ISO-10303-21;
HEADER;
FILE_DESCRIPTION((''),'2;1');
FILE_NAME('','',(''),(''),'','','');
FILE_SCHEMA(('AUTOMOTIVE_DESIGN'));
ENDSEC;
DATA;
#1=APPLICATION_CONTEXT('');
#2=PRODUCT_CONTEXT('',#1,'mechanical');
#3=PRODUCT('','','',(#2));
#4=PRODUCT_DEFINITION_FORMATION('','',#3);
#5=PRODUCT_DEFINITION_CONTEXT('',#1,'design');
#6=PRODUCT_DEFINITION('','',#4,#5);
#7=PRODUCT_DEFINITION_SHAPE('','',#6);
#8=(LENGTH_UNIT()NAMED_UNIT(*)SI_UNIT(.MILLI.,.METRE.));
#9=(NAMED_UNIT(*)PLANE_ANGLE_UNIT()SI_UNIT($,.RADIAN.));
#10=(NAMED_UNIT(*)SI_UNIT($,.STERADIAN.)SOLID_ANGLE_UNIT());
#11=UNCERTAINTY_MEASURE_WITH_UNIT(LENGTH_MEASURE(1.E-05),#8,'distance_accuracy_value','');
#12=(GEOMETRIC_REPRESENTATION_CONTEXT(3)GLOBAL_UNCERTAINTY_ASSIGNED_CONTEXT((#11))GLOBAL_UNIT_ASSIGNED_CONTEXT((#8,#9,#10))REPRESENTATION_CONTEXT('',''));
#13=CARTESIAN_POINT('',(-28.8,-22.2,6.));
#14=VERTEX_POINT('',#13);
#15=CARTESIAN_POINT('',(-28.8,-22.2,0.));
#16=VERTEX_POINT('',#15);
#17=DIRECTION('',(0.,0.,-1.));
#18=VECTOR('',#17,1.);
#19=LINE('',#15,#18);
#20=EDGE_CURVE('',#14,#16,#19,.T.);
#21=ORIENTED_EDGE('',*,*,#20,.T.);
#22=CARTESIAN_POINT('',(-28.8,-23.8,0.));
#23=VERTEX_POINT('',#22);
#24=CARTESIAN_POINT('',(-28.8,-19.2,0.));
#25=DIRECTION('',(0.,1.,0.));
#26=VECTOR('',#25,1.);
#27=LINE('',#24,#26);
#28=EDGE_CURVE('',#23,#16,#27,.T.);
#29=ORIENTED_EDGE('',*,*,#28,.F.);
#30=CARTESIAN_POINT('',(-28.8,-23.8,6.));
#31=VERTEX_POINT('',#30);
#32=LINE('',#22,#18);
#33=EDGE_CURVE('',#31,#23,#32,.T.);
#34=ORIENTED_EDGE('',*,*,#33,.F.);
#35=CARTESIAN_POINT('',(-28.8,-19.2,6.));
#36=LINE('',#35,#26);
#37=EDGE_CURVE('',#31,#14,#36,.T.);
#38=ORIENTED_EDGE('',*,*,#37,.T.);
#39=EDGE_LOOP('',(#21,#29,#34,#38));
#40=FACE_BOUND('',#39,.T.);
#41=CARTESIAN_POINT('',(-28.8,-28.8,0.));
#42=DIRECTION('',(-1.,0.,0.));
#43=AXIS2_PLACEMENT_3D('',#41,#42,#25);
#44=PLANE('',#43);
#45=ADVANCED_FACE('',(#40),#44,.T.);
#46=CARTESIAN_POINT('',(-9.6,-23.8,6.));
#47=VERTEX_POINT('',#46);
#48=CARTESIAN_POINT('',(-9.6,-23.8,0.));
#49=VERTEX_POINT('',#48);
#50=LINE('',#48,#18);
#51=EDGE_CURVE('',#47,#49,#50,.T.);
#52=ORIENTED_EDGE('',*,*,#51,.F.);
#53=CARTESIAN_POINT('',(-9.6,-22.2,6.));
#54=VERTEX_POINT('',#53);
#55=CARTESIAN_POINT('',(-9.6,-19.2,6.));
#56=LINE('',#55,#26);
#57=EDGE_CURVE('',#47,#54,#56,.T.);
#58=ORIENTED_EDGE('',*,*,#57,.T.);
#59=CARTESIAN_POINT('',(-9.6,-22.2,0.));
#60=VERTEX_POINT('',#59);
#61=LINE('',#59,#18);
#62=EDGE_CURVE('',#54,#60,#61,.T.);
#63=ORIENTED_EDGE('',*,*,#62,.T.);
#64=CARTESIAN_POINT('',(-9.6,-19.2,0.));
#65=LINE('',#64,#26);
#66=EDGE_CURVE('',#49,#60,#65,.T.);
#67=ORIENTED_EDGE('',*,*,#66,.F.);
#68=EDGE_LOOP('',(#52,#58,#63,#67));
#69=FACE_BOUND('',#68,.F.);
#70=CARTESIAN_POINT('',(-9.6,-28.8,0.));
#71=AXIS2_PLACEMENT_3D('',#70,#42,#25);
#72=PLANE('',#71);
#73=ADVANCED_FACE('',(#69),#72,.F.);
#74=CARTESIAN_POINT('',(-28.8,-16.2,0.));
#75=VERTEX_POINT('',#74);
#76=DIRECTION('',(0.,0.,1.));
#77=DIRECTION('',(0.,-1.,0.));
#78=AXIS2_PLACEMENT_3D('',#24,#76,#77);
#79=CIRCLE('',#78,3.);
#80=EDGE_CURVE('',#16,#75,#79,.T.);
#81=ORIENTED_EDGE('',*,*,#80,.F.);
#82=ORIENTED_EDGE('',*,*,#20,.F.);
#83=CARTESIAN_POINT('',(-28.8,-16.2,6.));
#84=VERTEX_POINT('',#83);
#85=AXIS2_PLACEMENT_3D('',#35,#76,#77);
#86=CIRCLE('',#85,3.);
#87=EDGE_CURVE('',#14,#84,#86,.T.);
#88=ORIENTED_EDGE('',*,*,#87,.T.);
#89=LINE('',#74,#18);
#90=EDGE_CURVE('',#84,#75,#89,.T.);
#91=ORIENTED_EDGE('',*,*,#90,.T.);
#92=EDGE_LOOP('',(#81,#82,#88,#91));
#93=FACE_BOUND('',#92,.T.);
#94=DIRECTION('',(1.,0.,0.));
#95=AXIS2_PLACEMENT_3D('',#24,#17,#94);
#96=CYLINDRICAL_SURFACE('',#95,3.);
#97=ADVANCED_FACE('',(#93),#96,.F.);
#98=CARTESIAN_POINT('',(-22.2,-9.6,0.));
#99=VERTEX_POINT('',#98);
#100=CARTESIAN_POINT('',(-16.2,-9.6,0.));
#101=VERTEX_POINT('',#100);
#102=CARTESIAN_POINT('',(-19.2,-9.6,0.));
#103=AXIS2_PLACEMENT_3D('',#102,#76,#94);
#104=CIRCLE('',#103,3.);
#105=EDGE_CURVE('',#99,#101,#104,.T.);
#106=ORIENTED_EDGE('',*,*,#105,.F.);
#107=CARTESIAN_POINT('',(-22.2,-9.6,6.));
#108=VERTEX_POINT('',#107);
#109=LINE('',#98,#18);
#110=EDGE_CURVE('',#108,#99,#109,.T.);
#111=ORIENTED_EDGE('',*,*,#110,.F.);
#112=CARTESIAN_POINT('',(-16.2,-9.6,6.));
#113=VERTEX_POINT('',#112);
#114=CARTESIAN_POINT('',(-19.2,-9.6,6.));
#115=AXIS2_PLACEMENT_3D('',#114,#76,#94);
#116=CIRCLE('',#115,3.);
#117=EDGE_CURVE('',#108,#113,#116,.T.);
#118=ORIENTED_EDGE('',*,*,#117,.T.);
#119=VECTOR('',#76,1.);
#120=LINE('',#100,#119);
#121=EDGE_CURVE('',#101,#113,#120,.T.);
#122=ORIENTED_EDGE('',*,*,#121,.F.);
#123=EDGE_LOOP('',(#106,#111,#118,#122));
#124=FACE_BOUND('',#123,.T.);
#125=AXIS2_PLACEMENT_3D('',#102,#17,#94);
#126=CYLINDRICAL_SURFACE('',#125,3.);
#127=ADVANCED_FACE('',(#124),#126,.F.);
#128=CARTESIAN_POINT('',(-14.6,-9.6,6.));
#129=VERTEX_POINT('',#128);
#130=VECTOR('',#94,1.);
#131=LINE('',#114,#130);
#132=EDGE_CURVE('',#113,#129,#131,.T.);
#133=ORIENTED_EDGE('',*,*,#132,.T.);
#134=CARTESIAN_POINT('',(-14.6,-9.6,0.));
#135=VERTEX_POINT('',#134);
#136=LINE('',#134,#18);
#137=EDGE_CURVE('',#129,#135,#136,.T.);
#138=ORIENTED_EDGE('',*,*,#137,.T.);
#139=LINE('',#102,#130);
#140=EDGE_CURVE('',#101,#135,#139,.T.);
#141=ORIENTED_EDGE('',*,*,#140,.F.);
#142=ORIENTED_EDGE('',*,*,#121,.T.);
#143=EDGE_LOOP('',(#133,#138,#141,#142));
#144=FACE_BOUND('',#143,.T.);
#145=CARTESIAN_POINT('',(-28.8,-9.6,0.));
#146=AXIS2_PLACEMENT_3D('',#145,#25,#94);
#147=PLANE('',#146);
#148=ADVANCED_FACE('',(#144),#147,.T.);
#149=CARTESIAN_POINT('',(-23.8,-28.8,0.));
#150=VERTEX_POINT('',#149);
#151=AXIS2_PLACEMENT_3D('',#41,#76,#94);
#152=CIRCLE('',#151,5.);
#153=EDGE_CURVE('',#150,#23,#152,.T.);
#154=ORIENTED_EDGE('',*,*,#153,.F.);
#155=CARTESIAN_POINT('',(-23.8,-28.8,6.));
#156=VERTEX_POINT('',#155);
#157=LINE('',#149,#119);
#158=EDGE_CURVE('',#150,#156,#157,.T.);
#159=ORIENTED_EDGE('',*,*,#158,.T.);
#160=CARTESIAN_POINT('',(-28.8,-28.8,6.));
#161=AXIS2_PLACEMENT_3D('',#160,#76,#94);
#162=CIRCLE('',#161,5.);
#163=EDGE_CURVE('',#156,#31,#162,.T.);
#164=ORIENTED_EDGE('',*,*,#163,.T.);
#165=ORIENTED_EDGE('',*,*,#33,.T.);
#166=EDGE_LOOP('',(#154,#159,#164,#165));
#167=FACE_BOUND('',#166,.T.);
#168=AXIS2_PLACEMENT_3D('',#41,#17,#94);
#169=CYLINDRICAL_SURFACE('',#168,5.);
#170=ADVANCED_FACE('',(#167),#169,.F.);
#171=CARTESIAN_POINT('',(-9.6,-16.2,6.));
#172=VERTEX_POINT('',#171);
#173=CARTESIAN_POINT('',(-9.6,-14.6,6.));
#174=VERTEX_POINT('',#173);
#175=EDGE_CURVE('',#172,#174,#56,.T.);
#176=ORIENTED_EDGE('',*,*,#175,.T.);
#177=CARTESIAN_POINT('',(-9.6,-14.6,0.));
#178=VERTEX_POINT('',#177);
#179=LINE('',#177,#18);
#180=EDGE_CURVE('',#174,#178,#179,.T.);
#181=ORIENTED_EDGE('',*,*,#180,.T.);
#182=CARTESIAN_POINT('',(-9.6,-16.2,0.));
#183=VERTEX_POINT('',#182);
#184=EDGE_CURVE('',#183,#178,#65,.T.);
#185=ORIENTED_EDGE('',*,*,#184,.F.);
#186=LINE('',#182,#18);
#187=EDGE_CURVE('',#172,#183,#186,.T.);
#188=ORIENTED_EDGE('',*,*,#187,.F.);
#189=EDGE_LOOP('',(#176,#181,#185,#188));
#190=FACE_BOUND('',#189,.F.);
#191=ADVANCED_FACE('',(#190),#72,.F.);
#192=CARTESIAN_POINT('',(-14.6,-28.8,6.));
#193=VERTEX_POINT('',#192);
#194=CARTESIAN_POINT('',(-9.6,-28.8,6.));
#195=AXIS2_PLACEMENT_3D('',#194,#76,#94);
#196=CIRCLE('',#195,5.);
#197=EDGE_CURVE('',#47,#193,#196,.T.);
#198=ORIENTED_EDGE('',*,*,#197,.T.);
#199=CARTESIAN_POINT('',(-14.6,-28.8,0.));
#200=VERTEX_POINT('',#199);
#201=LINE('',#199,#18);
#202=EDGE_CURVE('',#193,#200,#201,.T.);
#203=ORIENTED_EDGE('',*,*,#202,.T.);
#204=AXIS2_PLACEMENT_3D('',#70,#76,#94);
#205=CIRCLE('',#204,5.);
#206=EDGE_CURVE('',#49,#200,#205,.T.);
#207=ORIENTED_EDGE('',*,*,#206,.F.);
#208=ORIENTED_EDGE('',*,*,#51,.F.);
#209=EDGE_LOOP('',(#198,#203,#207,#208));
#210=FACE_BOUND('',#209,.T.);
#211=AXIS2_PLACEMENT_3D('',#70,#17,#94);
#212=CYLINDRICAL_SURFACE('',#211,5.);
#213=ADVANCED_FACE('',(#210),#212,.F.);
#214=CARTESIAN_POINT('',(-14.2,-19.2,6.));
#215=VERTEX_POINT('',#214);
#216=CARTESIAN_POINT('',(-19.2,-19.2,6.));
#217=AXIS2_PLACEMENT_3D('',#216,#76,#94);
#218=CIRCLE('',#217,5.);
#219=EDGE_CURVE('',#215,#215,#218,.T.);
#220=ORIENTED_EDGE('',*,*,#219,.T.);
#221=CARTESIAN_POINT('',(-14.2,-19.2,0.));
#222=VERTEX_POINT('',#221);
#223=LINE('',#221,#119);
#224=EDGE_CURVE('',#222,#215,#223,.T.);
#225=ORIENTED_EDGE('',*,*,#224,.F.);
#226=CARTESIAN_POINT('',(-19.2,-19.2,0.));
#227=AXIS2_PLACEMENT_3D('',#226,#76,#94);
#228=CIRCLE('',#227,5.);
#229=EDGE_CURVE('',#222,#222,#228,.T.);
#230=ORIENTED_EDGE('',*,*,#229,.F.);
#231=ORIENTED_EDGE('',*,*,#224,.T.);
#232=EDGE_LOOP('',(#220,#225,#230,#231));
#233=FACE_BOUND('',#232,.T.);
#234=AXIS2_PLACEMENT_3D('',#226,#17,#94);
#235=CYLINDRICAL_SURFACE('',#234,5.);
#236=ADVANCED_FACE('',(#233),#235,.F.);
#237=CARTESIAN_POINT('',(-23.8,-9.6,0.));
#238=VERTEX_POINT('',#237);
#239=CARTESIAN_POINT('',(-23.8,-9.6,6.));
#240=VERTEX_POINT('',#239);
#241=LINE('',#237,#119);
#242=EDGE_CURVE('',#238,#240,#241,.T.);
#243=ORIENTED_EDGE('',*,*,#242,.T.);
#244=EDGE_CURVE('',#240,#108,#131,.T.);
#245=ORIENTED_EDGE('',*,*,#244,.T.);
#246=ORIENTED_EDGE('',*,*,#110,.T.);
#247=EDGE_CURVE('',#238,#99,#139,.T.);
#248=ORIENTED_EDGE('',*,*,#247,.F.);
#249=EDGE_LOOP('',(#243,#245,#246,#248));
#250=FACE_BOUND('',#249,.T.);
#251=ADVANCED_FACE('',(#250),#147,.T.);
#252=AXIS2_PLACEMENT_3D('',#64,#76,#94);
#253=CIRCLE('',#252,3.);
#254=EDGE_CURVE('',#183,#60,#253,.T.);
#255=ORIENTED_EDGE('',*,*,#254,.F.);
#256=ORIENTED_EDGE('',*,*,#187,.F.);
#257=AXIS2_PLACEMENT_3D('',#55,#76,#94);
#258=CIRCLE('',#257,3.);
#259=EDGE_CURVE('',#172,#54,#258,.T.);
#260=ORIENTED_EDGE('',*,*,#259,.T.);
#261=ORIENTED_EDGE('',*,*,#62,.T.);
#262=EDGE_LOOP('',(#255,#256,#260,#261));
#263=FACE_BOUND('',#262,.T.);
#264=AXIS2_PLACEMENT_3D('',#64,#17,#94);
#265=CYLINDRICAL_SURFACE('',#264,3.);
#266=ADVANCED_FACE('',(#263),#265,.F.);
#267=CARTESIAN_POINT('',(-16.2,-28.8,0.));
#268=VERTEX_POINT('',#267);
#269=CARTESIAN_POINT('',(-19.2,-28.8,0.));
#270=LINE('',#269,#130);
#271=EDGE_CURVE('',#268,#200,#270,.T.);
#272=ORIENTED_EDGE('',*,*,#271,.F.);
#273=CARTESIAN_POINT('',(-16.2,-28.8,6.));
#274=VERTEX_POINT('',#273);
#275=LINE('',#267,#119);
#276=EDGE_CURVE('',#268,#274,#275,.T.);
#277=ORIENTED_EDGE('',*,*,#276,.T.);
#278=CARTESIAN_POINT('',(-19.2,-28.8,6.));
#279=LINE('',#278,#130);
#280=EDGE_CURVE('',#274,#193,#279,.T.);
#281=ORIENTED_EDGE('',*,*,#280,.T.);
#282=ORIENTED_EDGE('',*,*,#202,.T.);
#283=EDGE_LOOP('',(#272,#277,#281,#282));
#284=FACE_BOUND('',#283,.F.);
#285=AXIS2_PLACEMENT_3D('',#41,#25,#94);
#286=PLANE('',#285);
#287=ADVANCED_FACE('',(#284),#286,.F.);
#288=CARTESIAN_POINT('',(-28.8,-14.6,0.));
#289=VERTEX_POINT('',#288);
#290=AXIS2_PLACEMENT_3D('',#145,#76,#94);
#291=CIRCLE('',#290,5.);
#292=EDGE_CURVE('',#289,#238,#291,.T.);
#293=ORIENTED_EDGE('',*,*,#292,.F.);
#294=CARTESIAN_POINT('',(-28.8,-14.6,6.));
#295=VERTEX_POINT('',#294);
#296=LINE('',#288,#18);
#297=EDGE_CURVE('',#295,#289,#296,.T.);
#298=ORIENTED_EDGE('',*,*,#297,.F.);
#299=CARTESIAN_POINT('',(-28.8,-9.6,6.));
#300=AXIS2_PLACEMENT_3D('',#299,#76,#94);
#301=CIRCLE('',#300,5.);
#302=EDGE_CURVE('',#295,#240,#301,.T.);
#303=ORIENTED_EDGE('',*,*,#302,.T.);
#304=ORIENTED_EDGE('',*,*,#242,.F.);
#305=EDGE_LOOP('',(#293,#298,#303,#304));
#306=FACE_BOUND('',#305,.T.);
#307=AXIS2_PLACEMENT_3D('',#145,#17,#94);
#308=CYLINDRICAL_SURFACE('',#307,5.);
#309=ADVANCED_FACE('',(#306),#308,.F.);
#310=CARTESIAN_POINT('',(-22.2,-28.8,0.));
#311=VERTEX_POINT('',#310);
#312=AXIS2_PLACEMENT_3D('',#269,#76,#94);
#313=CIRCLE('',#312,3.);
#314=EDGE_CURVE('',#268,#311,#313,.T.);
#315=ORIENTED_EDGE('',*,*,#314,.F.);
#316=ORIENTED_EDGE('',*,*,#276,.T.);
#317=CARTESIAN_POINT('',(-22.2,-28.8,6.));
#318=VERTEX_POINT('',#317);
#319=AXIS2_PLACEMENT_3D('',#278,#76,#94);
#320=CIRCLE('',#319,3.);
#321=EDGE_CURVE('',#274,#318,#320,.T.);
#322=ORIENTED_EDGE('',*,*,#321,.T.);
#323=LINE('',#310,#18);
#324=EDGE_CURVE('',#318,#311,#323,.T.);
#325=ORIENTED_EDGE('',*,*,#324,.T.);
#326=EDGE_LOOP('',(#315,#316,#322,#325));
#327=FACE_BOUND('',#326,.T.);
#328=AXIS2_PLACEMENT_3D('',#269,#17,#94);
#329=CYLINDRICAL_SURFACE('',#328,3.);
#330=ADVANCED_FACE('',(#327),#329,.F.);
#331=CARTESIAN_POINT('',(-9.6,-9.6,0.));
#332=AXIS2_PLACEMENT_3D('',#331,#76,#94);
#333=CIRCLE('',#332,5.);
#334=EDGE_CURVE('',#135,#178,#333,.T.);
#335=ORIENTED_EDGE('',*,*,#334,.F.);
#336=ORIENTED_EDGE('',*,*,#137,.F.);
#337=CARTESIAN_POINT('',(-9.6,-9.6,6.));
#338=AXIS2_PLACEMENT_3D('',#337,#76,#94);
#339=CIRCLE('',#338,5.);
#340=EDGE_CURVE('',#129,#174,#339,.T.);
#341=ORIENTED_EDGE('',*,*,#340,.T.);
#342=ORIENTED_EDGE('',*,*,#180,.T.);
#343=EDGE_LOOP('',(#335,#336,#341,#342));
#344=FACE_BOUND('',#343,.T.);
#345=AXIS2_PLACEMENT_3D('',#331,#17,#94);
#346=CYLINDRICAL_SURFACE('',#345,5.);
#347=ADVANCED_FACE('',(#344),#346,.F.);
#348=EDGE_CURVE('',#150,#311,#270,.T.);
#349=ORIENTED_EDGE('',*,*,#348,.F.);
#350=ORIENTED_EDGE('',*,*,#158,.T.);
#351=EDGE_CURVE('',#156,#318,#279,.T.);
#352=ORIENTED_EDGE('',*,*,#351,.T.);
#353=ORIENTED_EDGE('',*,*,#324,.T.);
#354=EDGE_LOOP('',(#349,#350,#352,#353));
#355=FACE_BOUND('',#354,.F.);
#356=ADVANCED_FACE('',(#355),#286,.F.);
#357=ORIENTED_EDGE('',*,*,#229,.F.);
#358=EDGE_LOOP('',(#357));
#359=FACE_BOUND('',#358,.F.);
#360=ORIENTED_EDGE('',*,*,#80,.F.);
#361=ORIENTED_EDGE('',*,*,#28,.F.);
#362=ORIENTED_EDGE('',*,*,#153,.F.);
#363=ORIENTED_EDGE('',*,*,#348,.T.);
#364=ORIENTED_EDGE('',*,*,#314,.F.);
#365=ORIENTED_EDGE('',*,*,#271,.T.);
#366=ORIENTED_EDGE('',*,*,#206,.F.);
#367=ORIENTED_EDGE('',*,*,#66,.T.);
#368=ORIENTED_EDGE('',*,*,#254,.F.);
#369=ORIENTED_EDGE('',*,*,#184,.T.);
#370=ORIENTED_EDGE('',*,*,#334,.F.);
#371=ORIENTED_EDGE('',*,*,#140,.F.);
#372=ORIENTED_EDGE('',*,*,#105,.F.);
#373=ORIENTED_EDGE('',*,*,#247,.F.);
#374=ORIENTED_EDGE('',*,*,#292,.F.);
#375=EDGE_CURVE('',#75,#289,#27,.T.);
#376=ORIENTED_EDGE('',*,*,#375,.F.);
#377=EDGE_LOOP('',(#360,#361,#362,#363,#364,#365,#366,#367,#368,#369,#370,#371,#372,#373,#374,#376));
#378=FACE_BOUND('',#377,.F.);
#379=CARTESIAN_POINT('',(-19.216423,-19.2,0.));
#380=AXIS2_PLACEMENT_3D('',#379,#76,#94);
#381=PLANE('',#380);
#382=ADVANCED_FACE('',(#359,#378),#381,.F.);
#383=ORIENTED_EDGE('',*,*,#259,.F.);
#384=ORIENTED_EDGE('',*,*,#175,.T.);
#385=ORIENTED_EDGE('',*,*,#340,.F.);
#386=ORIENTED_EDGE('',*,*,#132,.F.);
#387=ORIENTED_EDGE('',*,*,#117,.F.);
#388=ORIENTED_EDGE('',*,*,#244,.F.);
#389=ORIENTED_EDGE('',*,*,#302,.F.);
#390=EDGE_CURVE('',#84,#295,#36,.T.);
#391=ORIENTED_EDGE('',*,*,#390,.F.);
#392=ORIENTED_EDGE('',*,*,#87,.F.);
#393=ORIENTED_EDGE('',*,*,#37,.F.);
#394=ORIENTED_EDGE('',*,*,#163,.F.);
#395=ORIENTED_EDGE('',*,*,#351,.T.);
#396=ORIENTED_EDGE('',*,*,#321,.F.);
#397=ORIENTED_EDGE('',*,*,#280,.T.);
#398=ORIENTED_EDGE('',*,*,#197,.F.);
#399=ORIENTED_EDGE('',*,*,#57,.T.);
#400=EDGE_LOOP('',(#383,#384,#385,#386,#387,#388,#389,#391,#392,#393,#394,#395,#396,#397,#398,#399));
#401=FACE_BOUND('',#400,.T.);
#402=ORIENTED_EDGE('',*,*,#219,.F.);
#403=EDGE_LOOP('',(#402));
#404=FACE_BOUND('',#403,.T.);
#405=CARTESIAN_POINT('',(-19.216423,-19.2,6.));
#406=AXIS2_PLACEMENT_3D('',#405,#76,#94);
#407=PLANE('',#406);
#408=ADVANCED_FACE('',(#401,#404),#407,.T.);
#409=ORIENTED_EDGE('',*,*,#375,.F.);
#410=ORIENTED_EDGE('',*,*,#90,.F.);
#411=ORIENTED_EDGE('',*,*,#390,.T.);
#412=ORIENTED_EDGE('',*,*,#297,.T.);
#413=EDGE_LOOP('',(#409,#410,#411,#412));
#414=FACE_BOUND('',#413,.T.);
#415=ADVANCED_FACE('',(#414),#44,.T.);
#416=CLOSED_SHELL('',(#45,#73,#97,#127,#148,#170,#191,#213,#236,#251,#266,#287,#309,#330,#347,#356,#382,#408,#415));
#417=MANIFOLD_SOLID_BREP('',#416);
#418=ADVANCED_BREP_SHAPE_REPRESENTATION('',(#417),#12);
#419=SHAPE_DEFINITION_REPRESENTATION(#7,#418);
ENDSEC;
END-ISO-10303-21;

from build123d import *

# Parameters (mm, degrees)
F0_R     = 5
F0_R_2   = 3
F1_DEPTH = 6
F2_W     = 19.2
F2_H     = 19.2
F3_DEPTH = 6


with BuildPart() as f1:
    # F0 (on Top) → F1 (new body)
    with BuildSketch(Plane.XY):
        with BuildLine():
            Line((-5.6, -45), (5.6, -45))
            ThreePointArc((5.6, -45), (6.064466, -44.464466), (6.6, -44))
            Line((6.6, -44), (6.6, -32.8))
            ThreePointArc((6.6, -32.8), (4.6, -28.8), (6.6, -24.8))
            Line((6.6, -24.8), (6.6, -13.6))
            ThreePointArc((6.6, -13.6), (4.6, -9.6), (6.6, -5.6))
            Line((6.6, -5.6), (6.6, 5.6))
            ThreePointArc((6.6, 5.6), (6.064466, 6.064466), (5.6, 6.6))
            Line((5.6, 6.6), (-5.6, 6.6))
            ThreePointArc((-5.6, 6.6), (-9.6, 4.6), (-13.6, 6.6))
            Line((-13.6, 6.6), (-24.8, 6.6))
            ThreePointArc((-24.8, 6.6), (-28.8, 4.6), (-32.8, 6.6))
            Line((-32.8, 6.6), (-44, 6.6))
            ThreePointArc((-44, 6.6), (-44.464466, 6.064466), (-45, 5.6))
            Line((-45, 5.6), (-45, -5.6))
            ThreePointArc((-45, -5.6), (-43.527864, -7.363932), (-43, -9.6))
            ThreePointArc((-43, -9.6), (-43.527864, -11.836068), (-45, -13.6))
            Line((-45, -13.6), (-45, -24.8))
            ThreePointArc((-45, -24.8), (-43.527864, -26.563932), (-43, -28.8))
            ThreePointArc((-43, -28.8), (-43.527864, -31.036068), (-45, -32.8))
            Line((-45, -32.8), (-45, -44))
            ThreePointArc((-45, -44), (-44.464466, -44.464466), (-44, -45))
            Line((-44, -45), (-32.8, -45))
            ThreePointArc((-32.8, -45), (-28.8, -43), (-24.8, -45))
            Line((-24.8, -45), (-13.6, -45))
            ThreePointArc((-13.6, -45), (-9.6, -43), (-5.6, -45))
        make_face()
        with Locations((-38.4, -38.4)):
            Circle(F0_R, mode=Mode.SUBTRACT)
        with Locations((-28.8, -38.4)):
            Circle(F0_R_2, mode=Mode.SUBTRACT)
        with Locations((-38.4, -28.8)):
            Circle(F0_R_2, mode=Mode.SUBTRACT)
        with Locations((-28.8, -28.8)):
            Circle(F0_R, mode=Mode.SUBTRACT)
        with Locations((-19.2, -38.4)):
            Circle(F0_R, mode=Mode.SUBTRACT)
        with Locations((-9.6, -38.4)):
            Circle(F0_R_2, mode=Mode.SUBTRACT)
        with Locations((0, -38.4)):
            Circle(F0_R, mode=Mode.SUBTRACT)
        with Locations((-19.2, -28.8)):
            Circle(F0_R_2, mode=Mode.SUBTRACT)
        with Locations((-9.6, -28.8)):
            Circle(F0_R, mode=Mode.SUBTRACT)
        with Locations((0, -28.8)):
            Circle(F0_R_2, mode=Mode.SUBTRACT)
        with Locations((-38.4, -19.2)):
            Circle(F0_R, mode=Mode.SUBTRACT)
        with Locations((-38.4, -9.6)):
            Circle(F0_R_2, mode=Mode.SUBTRACT)
        with Locations((-28.8, -19.2)):
            Circle(F0_R_2, mode=Mode.SUBTRACT)
        with Locations((-28.8, -9.6)):
            Circle(F0_R, mode=Mode.SUBTRACT)
        with Locations((-38.4, 0)):
            Circle(F0_R, mode=Mode.SUBTRACT)
        with Locations((-28.8, 0)):
            Circle(F0_R_2, mode=Mode.SUBTRACT)
        with Locations((-19.2, -19.2)):
            Circle(F0_R, mode=Mode.SUBTRACT)
        with Locations((-9.6, -19.2)):
            Circle(F0_R_2, mode=Mode.SUBTRACT)
        with Locations((-19.2, -9.6)):
            Circle(F0_R_2, mode=Mode.SUBTRACT)
        with Locations((-9.6, -9.6)):
            Circle(F0_R, mode=Mode.SUBTRACT)
        with Locations((0, -19.2)):
            Circle(F0_R, mode=Mode.SUBTRACT)
        with Locations((0, -9.6)):
            Circle(F0_R_2, mode=Mode.SUBTRACT)
        with Locations((-19.2, 0)):
            Circle(F0_R, mode=Mode.SUBTRACT)
        with Locations((-9.6, 0)):
            Circle(F0_R_2, mode=Mode.SUBTRACT)
        Circle(F0_R, mode=Mode.SUBTRACT)
    extrude(amount=F1_DEPTH)

    # F2 (on Top) → F3 (intersect)
    with BuildSketch(Plane.XY):
        with Locations((-19.2, -19.2)):
            Rectangle(F2_W, F2_H)
    extrude(amount=F3_DEPTH, mode=Mode.INTERSECT)


solid = f1.part
